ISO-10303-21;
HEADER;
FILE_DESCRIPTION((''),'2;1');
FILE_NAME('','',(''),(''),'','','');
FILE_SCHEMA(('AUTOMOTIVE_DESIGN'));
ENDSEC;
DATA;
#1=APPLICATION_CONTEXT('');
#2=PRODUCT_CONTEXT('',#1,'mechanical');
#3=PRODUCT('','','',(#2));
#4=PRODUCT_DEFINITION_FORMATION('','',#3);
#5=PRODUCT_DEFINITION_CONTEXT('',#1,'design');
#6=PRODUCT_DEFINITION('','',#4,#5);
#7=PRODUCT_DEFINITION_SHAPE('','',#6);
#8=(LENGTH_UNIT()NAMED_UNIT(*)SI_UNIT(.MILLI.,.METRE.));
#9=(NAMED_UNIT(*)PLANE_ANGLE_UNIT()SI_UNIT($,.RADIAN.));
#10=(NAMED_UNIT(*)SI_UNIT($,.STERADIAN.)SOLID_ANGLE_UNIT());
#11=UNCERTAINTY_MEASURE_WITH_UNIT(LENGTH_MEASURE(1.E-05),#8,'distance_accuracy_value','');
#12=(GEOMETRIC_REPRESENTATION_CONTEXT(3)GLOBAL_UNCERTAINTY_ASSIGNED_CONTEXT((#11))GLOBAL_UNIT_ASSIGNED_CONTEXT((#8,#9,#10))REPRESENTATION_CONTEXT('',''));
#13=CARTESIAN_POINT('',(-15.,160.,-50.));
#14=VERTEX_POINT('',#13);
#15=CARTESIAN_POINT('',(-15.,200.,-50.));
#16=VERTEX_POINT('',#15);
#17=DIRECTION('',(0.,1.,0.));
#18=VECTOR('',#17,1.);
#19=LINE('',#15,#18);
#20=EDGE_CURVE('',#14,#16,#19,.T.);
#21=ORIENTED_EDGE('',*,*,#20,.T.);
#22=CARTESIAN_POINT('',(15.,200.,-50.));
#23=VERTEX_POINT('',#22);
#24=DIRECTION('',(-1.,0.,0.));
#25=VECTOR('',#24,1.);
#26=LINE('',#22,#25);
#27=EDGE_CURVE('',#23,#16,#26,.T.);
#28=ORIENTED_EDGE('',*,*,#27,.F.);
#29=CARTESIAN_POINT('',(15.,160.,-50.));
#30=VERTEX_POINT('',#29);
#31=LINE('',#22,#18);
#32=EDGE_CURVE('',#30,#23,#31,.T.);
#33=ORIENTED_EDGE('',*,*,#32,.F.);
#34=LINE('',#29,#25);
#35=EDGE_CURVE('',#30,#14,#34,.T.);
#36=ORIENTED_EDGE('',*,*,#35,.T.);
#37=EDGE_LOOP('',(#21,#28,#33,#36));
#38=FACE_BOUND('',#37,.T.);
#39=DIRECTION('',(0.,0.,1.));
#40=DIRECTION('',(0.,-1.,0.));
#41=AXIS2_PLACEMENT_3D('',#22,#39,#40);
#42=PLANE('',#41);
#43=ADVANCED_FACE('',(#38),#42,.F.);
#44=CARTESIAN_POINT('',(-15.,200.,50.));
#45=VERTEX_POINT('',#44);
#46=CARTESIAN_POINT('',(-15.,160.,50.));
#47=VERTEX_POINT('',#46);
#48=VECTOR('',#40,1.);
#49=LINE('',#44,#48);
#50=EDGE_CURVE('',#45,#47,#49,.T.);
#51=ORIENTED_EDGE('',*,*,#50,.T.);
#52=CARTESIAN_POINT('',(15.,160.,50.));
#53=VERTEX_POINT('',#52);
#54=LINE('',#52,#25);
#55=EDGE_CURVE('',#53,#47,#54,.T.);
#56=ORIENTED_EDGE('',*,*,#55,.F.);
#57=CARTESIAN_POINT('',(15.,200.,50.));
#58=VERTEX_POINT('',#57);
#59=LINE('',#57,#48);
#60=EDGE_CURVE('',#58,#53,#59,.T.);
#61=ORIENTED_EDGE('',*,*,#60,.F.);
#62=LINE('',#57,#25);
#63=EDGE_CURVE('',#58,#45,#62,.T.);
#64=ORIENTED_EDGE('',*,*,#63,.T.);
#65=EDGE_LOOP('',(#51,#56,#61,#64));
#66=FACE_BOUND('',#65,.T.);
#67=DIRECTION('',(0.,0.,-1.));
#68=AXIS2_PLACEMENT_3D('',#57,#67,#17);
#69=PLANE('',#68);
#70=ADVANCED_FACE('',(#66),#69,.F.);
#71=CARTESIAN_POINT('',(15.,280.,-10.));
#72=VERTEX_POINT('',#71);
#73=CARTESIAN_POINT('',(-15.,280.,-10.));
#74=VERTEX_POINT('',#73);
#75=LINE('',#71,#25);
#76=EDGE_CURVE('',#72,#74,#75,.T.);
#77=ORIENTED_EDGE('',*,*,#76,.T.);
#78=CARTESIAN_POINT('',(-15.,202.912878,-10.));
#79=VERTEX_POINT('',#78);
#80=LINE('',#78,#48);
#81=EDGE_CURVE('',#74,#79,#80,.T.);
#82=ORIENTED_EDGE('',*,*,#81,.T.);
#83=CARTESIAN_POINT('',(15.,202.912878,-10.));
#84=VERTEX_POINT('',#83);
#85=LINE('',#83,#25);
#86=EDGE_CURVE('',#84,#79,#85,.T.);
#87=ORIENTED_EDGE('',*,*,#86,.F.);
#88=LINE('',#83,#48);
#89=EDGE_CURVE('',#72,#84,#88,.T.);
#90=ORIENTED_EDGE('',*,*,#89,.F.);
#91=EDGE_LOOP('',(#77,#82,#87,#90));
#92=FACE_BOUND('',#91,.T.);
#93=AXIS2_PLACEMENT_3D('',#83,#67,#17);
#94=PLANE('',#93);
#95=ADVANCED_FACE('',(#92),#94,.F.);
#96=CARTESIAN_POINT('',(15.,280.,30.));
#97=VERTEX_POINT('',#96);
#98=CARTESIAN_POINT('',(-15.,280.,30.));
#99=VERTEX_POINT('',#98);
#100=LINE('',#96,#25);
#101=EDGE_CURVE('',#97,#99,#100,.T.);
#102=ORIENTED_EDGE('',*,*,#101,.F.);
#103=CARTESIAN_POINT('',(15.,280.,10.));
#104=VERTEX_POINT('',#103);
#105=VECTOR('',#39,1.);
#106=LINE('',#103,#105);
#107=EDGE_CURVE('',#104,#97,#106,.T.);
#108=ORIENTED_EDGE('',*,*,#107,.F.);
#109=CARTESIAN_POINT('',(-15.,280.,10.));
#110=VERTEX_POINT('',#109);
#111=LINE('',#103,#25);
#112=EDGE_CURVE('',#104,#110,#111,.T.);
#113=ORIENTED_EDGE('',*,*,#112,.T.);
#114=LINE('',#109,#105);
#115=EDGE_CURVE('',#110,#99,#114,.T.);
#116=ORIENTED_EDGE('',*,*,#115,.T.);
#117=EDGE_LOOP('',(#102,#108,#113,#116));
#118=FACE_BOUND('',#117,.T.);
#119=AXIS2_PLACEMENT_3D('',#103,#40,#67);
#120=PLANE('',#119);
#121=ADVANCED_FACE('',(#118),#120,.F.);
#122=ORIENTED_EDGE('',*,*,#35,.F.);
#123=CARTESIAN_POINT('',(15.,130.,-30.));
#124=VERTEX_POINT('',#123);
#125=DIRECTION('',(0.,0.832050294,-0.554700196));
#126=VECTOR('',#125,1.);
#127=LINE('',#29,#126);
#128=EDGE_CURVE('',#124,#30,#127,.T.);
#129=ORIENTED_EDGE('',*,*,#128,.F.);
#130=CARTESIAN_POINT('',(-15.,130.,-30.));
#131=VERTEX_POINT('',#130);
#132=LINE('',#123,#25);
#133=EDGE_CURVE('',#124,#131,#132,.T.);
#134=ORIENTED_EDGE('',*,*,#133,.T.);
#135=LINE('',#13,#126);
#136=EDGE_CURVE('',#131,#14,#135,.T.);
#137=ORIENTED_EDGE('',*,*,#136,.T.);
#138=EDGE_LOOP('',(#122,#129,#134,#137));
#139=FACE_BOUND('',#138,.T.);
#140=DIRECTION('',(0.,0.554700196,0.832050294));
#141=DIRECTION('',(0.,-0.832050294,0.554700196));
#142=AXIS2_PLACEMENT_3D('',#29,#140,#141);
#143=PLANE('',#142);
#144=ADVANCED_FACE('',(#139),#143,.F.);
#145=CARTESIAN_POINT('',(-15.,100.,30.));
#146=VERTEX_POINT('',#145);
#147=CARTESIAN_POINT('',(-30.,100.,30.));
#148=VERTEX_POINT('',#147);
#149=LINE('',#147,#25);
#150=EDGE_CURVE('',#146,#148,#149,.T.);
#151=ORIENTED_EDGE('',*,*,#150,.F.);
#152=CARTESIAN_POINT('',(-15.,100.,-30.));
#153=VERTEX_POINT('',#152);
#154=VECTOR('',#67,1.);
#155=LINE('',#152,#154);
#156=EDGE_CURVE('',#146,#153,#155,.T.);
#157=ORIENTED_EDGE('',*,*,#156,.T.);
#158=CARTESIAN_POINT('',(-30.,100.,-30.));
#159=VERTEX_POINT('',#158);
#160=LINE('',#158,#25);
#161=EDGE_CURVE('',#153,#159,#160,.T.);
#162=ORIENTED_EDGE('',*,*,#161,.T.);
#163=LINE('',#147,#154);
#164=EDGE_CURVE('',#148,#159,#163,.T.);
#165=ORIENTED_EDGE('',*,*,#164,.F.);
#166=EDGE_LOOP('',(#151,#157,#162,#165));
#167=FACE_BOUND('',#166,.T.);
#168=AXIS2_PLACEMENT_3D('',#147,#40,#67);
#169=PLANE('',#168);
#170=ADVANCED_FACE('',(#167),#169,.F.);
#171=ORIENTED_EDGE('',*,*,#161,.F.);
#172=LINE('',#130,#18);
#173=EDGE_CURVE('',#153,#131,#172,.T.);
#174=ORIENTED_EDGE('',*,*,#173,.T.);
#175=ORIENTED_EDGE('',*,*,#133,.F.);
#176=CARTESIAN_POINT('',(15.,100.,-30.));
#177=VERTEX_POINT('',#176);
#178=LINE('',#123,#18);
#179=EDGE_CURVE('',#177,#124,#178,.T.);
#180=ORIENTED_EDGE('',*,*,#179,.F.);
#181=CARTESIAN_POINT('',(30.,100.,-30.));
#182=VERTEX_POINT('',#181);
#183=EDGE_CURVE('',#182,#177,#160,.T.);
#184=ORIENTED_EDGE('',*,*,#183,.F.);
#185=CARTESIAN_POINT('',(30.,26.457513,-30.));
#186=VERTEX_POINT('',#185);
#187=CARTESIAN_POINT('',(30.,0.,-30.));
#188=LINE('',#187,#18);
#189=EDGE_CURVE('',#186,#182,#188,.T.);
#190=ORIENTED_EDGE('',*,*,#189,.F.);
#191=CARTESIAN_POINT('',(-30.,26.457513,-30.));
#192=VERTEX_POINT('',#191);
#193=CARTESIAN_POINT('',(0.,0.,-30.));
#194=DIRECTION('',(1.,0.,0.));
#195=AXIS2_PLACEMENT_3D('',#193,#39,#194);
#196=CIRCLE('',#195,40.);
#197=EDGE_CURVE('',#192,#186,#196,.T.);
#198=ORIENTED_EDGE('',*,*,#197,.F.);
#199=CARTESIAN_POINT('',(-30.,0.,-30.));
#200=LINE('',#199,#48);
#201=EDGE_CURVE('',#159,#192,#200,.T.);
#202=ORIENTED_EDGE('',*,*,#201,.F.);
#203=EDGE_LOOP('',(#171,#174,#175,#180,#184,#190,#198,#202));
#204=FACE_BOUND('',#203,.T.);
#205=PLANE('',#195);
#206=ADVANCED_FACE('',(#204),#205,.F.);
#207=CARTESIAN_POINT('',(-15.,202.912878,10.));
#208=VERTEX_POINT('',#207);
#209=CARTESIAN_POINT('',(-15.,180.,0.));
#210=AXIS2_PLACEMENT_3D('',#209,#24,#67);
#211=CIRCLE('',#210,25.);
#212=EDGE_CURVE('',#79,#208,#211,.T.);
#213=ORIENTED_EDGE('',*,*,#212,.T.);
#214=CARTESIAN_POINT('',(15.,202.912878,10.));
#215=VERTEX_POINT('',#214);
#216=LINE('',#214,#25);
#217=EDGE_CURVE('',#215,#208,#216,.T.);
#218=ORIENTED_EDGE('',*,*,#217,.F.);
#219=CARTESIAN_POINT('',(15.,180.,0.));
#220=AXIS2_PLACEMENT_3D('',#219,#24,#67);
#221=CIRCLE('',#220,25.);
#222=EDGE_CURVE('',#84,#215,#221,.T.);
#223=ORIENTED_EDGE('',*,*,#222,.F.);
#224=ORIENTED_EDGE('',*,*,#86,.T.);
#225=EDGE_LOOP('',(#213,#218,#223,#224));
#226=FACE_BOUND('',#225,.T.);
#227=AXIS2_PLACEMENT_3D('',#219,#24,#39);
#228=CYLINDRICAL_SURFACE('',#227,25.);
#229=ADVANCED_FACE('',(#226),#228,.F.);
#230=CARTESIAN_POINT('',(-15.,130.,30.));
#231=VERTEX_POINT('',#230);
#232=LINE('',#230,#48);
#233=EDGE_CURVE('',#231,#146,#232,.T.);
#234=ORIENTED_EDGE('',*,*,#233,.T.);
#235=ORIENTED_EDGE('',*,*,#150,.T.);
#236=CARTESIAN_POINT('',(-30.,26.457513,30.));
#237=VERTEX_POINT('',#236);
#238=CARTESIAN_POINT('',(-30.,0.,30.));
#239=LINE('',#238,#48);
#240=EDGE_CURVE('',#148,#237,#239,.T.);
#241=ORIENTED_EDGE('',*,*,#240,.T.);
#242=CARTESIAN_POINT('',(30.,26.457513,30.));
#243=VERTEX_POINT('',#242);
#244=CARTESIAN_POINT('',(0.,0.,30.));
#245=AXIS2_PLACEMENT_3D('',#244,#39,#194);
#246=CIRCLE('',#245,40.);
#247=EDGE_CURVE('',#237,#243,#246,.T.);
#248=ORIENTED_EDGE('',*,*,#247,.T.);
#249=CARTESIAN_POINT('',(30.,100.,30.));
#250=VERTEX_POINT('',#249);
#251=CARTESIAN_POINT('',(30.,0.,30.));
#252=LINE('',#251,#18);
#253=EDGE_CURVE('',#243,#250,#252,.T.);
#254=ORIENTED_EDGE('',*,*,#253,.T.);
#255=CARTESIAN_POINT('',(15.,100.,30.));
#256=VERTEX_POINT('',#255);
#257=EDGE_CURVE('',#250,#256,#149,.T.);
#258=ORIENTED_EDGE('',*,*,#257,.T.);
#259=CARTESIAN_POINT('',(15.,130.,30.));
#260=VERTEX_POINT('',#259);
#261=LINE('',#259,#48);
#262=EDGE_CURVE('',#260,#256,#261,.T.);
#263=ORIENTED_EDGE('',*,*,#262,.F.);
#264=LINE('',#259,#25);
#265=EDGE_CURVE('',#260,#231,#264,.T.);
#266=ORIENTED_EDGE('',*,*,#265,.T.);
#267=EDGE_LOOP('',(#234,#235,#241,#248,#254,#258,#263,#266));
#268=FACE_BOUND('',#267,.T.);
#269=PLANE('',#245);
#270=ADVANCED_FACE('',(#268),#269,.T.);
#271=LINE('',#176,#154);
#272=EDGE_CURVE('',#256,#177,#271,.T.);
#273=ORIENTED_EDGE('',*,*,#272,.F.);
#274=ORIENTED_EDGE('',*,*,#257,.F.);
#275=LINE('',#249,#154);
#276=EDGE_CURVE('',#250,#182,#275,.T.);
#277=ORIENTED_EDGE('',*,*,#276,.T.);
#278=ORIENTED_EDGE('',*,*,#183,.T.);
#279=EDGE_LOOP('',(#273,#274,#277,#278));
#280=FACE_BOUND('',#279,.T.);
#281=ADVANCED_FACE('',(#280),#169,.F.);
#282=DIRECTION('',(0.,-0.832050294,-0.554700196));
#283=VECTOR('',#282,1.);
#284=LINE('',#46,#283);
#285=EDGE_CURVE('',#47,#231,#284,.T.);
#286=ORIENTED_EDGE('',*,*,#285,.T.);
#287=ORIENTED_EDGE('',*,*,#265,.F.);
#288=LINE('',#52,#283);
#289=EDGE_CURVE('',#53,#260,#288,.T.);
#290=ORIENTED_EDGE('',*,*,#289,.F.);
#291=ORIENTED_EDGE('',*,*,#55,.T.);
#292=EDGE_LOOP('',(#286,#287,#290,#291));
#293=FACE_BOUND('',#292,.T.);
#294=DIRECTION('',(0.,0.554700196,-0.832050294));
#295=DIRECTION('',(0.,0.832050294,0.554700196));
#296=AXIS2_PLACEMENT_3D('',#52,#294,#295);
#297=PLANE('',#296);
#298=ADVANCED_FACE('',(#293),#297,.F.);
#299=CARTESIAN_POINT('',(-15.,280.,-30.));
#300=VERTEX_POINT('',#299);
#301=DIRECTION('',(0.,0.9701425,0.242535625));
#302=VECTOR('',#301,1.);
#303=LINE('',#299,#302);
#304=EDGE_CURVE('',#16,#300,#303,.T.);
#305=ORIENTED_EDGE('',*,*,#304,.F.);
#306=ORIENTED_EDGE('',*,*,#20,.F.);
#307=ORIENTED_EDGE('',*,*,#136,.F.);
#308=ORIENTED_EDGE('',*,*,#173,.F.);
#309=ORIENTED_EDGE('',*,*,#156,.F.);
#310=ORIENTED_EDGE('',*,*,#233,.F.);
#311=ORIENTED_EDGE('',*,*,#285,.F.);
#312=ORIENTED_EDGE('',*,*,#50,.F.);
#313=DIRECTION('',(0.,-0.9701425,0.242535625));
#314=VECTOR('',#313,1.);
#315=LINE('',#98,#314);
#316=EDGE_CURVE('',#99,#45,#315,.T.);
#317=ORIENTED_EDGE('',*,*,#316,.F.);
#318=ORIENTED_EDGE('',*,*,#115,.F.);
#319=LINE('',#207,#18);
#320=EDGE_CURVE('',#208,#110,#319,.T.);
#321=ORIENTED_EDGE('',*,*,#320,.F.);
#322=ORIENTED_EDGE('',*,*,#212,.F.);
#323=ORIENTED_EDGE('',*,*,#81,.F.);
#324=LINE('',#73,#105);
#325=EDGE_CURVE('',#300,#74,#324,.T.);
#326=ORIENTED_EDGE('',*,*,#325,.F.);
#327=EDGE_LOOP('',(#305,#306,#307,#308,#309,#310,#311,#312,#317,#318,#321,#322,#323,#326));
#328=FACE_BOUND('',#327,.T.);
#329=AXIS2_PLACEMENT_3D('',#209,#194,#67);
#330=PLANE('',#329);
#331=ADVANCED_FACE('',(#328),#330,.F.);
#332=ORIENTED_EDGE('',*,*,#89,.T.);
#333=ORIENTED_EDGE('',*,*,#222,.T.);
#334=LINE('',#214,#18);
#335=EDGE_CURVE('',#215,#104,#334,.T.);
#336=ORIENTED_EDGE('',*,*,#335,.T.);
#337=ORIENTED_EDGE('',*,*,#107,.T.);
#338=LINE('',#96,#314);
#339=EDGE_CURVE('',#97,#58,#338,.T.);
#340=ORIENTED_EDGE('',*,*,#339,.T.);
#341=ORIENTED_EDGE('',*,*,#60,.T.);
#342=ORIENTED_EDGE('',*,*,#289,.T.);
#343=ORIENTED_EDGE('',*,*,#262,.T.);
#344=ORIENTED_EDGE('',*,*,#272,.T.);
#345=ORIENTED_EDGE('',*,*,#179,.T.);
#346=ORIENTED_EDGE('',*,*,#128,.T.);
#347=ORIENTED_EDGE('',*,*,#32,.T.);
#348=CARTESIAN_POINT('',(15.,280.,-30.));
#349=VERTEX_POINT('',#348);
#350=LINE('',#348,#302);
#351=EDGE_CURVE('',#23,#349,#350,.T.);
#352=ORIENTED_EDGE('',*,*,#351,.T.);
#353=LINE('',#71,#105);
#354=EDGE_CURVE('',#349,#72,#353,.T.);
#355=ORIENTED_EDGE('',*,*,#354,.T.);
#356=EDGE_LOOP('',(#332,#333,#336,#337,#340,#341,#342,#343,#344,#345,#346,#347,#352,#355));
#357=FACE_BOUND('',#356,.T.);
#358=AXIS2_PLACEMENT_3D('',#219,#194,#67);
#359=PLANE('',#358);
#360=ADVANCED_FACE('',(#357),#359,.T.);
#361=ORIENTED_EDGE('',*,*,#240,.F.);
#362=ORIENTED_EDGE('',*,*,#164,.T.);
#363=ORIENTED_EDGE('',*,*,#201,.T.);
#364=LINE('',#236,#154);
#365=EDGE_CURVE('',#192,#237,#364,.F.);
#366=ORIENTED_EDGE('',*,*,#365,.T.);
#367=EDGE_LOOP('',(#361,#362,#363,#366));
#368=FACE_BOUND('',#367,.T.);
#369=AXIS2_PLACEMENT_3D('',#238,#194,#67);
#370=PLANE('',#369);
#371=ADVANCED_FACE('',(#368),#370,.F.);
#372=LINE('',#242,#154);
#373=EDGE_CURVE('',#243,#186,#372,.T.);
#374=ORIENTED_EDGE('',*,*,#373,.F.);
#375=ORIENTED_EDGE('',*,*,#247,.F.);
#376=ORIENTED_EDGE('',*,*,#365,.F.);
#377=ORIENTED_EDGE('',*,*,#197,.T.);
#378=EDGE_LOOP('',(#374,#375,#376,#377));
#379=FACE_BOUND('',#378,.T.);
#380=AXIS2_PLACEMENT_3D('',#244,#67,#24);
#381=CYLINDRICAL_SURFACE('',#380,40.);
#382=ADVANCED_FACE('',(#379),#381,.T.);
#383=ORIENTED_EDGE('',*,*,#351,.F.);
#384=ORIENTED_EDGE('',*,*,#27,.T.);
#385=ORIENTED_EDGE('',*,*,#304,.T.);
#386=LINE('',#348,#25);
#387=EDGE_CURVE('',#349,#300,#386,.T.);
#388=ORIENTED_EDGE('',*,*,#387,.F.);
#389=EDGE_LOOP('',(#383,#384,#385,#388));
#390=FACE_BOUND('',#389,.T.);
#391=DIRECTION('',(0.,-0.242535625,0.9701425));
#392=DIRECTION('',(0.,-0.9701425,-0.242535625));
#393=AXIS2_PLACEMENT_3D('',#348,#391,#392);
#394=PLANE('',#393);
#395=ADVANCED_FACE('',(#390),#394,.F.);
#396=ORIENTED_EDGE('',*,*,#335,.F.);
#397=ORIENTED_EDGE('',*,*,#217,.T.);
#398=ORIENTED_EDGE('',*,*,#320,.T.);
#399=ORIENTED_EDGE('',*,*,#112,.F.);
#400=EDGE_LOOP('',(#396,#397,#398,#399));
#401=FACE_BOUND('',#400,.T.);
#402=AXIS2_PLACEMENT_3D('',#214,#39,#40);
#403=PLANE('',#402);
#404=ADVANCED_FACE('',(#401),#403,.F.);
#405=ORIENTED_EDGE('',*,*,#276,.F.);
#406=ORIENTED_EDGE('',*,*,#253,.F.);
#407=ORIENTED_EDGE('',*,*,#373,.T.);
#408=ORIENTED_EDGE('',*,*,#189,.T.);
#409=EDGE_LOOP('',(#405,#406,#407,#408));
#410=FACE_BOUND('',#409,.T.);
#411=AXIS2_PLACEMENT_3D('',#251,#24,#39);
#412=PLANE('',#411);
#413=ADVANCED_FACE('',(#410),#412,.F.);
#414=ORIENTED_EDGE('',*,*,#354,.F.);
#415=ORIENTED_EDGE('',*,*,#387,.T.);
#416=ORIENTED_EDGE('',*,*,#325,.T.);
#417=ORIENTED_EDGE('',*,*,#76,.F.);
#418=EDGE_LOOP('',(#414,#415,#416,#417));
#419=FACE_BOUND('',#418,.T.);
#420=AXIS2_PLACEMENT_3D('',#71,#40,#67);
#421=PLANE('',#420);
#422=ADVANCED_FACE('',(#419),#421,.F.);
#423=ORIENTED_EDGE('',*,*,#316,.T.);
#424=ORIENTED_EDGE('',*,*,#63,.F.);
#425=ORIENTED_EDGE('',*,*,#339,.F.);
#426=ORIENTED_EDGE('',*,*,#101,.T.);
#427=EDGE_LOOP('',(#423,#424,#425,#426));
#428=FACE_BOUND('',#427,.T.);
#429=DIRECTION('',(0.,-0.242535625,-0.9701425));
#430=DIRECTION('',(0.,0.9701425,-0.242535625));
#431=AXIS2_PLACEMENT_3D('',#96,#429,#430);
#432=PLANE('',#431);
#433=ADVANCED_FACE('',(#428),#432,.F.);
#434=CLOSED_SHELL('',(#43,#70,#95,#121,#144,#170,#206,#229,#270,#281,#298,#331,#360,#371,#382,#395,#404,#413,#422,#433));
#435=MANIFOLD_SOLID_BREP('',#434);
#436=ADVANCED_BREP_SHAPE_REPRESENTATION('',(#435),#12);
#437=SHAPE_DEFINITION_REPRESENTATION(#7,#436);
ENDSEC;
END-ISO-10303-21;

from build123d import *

# Parameters (mm, degrees)
CROQUIS1_R              = 40
SALIENTE_EXTRUIR1_DEPTH = 30
CROQUIS2_W              = 60
CROQUIS2_H              = 100
SALIENTE_EXTRUIR2_DEPTH = 30
SALIENTE_EXTRUIR3_DEPTH = 15


with BuildPart() as part:
    # Croquis1 → Saliente-Extruir1 (new, symmetric)
    with BuildSketch(Plane.XY):
        Circle(CROQUIS1_R)
    extrude(amount=SALIENTE_EXTRUIR1_DEPTH, both=True)

    # Croquis2 → Saliente-Extruir2 (add, symmetric)
    with BuildSketch(Plane.XY):
        with Locations((0, 50)):
            Rectangle(CROQUIS2_W, CROQUIS2_H)
    extrude(amount=SALIENTE_EXTRUIR2_DEPTH, both=True)

    # Croquis3 → Saliente-Extruir3 (add, symmetric)
    with BuildSketch(Plane(origin=(0, 0, 0), x_dir=(0, 0, -1), z_dir=(1, 0, 0))):
        with BuildLine():
            Line((-30, 130), (-30, 100))
            Line((-30, 100), (30, 100))
            Line((30, 100), (30, 130))
            Line((30, 130), (50, 160))
            Line((50, 160), (50, 200))
            Line((50, 200), (30, 280))
            Line((30, 280), (10, 280))
            Line((10, 280), (10, 202.912878475))
            ThreePointArc((10, 202.912878475), (0, 155), (-10, 202.912878475))
            Line((-10, 202.912878475), (-10, 280))
            Line((-10, 280), (-30, 280))
            Line((-30, 280), (-50, 200))
            Line((-50, 200), (-50, 160))
            Line((-50, 160), (-30, 130))
        make_face()
    extrude(amount=SALIENTE_EXTRUIR3_DEPTH, both=True)


solid = part.part
